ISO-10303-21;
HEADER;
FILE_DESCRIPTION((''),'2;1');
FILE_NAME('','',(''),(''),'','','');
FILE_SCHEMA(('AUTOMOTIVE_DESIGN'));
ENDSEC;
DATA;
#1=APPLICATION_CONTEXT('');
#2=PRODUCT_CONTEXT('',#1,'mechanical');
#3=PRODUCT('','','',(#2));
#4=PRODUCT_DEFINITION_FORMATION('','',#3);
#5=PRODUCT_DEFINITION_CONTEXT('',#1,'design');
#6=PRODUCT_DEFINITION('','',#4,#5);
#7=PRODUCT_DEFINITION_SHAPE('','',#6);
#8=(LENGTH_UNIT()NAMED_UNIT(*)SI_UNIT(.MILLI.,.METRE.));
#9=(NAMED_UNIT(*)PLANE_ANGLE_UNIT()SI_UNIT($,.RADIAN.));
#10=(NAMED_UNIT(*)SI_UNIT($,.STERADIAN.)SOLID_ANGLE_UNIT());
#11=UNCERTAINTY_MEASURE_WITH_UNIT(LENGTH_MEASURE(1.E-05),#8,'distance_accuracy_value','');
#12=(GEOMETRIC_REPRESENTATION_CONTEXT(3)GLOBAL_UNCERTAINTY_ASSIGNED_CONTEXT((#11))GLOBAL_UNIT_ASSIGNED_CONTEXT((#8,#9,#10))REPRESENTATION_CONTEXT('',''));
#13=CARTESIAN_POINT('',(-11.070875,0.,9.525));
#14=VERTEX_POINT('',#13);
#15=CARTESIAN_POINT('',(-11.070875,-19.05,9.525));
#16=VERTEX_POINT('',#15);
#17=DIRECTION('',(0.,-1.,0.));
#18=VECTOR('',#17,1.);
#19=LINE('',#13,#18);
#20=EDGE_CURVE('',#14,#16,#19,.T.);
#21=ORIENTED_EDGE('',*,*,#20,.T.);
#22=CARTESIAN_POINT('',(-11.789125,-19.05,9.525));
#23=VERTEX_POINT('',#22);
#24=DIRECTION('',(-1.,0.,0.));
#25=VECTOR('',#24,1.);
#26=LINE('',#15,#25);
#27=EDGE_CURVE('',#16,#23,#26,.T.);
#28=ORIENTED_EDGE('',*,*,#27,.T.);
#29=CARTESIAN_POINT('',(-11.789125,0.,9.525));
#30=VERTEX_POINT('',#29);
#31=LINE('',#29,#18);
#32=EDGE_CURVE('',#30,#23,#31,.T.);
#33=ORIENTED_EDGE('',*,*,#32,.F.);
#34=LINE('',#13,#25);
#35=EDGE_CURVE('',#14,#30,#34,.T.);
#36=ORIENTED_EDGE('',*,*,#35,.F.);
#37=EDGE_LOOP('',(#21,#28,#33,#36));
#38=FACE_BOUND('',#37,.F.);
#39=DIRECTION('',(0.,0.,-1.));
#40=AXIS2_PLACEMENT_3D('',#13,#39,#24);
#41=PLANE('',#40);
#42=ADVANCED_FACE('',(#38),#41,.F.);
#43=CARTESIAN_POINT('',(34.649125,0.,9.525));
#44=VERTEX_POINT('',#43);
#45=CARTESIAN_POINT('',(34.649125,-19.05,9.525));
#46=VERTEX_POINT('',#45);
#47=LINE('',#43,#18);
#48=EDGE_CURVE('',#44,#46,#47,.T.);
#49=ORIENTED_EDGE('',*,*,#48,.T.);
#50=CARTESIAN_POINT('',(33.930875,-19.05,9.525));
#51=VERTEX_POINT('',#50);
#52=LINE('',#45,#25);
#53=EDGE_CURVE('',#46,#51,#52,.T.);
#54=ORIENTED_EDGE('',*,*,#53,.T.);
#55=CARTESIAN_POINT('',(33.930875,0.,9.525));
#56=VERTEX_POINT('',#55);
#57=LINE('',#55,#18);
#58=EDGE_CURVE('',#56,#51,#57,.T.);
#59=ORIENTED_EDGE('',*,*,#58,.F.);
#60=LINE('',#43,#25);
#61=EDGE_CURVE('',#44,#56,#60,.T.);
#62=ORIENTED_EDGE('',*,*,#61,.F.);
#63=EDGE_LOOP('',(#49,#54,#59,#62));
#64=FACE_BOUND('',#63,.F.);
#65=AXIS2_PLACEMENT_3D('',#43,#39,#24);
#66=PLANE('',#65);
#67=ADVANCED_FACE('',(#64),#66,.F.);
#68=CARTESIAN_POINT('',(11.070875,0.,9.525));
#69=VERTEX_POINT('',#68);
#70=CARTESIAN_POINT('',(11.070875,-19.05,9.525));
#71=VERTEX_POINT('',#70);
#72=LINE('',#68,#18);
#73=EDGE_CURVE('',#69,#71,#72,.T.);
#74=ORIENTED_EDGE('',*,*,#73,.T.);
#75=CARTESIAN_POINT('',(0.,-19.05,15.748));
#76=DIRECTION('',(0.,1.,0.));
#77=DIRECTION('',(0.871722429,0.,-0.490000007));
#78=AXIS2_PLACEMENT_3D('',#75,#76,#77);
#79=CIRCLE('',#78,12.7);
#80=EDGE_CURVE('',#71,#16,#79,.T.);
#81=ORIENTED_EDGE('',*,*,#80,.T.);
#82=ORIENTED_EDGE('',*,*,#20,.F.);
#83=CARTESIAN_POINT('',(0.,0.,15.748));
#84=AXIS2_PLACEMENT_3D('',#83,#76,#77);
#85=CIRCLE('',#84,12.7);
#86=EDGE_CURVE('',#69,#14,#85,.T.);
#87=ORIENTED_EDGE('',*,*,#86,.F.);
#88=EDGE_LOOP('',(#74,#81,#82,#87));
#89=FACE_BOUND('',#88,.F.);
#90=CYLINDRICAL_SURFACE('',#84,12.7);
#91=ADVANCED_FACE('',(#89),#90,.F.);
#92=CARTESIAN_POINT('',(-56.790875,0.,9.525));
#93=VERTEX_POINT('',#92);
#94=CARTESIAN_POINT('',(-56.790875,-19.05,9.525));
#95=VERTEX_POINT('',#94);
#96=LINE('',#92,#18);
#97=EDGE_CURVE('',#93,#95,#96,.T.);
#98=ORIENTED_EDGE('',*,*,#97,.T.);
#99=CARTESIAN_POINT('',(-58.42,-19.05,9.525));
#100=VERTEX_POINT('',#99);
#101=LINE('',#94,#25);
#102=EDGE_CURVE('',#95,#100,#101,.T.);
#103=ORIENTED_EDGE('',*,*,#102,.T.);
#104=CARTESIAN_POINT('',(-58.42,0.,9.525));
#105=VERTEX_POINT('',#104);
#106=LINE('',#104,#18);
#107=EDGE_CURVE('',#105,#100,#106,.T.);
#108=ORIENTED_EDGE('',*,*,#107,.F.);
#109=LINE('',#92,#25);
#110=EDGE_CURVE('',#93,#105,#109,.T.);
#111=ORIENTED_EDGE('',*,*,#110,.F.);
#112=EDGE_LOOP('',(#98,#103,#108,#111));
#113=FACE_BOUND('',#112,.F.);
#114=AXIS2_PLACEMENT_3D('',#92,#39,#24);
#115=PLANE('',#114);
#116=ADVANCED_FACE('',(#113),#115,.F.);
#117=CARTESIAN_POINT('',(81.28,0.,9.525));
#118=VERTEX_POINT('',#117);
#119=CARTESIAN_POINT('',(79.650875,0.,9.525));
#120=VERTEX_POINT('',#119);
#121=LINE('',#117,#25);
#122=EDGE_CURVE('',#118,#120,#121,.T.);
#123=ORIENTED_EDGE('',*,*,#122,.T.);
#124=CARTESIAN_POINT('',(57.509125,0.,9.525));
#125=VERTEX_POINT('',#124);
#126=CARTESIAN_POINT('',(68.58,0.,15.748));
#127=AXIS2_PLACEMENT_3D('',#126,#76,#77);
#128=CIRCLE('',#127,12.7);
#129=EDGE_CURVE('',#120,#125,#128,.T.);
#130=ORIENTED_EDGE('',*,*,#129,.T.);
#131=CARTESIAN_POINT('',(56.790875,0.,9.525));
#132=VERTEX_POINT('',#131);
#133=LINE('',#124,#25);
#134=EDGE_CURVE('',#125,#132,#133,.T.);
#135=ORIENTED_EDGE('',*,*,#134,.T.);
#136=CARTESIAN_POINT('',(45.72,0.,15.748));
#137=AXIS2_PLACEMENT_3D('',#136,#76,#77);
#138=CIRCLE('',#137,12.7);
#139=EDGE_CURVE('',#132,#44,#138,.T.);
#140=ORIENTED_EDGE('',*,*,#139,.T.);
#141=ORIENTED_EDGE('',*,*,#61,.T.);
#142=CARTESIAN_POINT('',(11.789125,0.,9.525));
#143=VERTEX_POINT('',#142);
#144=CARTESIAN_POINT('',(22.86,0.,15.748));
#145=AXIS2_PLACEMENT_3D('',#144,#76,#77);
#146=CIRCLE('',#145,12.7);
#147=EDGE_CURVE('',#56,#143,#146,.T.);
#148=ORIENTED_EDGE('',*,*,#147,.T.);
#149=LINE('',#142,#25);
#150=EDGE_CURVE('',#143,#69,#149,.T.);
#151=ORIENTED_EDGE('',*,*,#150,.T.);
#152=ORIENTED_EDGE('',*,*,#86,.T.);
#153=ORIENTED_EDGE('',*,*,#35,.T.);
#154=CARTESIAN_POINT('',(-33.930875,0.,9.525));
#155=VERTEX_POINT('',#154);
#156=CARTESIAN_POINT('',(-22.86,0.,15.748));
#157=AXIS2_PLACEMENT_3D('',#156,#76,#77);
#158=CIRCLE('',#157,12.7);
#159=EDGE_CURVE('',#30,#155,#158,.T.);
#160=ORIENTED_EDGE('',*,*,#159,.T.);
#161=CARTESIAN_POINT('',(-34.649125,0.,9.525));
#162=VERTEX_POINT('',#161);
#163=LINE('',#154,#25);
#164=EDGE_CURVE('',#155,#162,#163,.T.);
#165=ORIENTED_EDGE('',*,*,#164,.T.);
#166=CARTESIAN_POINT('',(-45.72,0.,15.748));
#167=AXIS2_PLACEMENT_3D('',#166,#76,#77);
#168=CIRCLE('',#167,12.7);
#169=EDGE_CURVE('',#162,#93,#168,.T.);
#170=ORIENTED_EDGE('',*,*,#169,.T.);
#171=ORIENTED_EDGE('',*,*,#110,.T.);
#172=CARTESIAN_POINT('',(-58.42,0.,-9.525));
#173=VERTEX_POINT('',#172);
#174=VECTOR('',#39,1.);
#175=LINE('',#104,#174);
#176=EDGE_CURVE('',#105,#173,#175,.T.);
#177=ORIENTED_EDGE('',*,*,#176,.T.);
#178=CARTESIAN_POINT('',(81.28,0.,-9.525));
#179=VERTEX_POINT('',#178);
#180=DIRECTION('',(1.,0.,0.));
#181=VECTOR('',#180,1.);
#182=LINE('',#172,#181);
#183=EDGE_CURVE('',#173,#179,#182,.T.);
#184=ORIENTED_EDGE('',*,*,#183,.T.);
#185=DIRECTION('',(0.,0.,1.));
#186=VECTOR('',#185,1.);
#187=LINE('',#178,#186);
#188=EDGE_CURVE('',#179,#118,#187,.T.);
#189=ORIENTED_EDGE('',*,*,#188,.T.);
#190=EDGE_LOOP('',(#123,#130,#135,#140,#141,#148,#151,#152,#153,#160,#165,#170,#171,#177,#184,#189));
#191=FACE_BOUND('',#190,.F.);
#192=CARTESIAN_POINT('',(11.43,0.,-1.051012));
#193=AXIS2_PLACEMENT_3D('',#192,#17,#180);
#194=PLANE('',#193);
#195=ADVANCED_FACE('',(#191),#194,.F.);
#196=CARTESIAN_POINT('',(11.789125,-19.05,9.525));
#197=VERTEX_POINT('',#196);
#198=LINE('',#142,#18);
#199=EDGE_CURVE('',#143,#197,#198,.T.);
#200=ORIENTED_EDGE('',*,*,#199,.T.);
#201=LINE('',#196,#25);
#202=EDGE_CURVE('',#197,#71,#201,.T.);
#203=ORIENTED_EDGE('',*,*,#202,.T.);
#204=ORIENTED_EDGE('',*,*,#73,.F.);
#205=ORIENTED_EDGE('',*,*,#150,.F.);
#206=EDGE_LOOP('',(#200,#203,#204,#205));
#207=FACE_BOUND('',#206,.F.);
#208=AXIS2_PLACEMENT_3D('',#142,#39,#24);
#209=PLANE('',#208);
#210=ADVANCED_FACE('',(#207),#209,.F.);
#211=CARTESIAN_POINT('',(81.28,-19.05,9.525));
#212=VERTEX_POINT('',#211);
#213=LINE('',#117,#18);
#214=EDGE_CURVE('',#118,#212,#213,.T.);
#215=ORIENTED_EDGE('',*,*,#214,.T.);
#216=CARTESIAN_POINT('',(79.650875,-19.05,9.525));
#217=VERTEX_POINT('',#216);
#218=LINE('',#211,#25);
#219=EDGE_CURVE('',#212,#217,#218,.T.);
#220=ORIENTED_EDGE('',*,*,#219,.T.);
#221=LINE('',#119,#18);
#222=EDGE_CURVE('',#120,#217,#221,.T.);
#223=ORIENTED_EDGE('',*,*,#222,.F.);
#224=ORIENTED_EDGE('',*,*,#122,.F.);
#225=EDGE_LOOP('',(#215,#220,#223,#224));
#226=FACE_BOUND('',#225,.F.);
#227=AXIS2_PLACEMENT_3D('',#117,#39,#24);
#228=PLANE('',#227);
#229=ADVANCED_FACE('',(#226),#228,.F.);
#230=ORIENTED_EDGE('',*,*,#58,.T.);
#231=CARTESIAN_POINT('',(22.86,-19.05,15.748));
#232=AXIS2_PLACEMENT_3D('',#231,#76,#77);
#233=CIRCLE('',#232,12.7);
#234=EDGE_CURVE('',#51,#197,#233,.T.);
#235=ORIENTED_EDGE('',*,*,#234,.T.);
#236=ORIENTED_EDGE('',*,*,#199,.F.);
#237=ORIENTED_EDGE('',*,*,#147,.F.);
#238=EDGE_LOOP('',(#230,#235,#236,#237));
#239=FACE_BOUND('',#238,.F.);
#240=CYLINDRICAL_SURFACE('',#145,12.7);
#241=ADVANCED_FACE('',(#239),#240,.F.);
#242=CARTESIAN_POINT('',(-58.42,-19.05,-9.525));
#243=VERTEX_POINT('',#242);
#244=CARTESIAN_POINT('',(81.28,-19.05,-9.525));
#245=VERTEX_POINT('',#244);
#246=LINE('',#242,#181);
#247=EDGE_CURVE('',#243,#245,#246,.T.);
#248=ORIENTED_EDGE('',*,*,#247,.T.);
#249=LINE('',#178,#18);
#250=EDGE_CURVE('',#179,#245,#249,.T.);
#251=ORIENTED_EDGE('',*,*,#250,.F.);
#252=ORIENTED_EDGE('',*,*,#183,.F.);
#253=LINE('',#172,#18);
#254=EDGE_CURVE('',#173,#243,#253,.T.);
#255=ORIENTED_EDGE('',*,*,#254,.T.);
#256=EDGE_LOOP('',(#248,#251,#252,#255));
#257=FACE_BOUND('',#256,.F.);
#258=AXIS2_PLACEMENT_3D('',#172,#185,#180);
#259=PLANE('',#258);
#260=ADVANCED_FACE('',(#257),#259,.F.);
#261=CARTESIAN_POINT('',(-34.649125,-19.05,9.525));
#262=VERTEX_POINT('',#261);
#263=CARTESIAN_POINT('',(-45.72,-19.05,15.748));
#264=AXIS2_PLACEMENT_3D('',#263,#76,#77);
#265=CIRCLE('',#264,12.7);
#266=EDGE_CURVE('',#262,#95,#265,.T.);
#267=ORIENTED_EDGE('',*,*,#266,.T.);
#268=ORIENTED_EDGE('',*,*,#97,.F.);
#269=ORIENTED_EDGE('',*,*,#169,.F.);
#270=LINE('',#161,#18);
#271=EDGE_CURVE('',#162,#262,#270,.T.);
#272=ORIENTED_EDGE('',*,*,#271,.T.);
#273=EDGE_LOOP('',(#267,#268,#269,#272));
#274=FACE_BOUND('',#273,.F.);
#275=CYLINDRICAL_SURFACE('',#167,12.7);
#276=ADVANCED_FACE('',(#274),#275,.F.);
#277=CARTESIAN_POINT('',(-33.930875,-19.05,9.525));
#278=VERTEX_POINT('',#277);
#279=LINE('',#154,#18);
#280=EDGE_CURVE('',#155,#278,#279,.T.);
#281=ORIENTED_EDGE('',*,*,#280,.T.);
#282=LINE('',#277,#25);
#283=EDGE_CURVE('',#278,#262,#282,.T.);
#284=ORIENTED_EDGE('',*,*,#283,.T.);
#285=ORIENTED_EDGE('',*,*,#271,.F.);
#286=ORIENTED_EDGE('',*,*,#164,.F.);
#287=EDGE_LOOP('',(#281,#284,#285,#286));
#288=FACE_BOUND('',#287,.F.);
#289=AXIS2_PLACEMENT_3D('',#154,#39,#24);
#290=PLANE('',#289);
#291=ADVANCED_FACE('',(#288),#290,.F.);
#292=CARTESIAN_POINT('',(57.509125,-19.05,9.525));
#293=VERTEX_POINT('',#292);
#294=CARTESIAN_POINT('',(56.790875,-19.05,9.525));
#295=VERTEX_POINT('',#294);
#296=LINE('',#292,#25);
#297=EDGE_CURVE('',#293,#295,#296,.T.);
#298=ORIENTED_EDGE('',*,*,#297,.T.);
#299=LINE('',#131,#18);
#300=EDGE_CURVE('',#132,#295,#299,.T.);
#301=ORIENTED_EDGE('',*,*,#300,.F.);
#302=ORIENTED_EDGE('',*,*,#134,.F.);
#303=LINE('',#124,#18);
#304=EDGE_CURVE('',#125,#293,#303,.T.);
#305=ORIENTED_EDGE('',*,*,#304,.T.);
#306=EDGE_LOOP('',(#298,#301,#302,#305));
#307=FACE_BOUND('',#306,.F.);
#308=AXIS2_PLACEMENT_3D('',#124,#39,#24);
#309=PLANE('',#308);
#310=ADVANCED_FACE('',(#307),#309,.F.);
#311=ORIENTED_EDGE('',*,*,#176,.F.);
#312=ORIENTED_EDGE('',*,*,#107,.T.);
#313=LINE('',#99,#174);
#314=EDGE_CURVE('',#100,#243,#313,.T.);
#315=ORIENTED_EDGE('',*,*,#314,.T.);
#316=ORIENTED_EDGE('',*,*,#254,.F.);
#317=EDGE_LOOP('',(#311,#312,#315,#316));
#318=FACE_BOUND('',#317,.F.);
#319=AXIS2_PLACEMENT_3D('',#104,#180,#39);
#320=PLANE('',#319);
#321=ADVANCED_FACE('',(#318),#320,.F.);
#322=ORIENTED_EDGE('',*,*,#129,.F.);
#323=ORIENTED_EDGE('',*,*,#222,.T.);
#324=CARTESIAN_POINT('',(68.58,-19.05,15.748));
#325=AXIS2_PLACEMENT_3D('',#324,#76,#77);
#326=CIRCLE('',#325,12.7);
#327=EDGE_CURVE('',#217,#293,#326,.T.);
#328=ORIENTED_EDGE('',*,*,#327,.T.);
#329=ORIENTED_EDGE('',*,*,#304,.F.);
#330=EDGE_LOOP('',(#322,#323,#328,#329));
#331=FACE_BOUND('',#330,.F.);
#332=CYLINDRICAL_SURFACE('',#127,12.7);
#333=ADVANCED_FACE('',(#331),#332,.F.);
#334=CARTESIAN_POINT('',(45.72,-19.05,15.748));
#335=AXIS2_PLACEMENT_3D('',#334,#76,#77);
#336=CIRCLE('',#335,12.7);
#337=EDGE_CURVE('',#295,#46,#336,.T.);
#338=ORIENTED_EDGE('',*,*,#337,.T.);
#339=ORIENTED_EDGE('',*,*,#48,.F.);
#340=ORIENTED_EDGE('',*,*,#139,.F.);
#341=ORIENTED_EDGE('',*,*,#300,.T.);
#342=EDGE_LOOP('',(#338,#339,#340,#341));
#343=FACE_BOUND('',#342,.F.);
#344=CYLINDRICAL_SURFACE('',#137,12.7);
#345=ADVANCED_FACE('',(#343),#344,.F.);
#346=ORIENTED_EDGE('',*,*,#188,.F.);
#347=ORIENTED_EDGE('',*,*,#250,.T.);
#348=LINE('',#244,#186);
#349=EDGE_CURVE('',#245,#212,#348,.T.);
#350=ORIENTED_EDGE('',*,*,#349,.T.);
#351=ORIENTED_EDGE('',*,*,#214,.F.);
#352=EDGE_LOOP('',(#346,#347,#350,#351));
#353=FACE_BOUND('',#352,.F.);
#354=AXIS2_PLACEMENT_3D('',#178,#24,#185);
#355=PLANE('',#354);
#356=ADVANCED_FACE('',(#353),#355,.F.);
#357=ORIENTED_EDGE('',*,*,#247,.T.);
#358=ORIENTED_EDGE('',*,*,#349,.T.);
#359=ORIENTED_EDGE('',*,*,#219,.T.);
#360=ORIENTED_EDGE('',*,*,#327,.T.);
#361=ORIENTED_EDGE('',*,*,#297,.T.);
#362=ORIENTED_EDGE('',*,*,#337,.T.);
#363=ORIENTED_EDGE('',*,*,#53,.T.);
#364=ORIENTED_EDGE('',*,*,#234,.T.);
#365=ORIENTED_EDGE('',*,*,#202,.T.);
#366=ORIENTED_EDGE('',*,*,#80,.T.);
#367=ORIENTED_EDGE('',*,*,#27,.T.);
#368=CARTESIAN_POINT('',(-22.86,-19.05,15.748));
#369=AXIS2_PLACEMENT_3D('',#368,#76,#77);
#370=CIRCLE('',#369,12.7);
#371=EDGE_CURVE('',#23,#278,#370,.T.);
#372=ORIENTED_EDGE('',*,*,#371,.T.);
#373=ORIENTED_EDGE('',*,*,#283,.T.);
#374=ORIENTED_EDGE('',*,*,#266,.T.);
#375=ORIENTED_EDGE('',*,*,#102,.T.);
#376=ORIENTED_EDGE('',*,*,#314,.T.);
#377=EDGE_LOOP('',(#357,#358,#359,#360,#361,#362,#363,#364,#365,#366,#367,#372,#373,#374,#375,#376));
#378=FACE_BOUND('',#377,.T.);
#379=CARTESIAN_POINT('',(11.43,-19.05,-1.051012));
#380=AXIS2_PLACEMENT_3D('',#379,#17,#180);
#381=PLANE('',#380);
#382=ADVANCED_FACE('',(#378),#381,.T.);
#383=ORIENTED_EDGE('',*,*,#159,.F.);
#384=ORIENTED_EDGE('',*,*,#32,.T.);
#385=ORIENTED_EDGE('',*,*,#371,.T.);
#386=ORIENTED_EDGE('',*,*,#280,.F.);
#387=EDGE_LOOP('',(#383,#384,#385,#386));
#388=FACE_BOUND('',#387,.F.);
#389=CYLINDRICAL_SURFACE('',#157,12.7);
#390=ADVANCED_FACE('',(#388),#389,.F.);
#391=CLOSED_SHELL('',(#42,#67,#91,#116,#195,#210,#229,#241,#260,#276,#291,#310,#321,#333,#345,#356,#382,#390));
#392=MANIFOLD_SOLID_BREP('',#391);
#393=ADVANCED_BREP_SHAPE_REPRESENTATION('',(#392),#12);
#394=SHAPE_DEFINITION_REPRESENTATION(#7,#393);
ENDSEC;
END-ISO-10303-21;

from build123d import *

# Parameters (mm, degrees)
F1_DEPTH = 19.05


with BuildPart() as f1:
    # F0 (on Front) → F1 (new body)
    with BuildSketch(Plane.XZ):
        with BuildLine():
            Line((-56.790875, 9.525), (-58.42, 9.525))
            Line((-58.42, 9.525), (-58.42, -9.525))
            Line((-58.42, -9.525), (81.28, -9.525))
            Line((81.28, -9.525), (81.28, 9.525))
            Line((81.28, 9.525), (79.650875, 9.525))
            ThreePointArc((79.650875, 9.525), (68.58, 3.048), (57.509125, 9.525))
            Line((57.509125, 9.525), (56.790875, 9.525))
            ThreePointArc((56.790875, 9.525), (45.72, 3.048), (34.649125, 9.525))
            Line((34.649125, 9.525), (33.930875, 9.525))
            ThreePointArc((33.930875, 9.525), (22.86, 3.048), (11.789125, 9.525))
            Line((11.789125, 9.525), (11.070875, 9.525))
            ThreePointArc((11.070875, 9.525), (0, 3.048), (-11.070875, 9.525))
            Line((-11.070875, 9.525), (-11.789125, 9.525))
            ThreePointArc((-11.789125, 9.525), (-22.86, 3.048), (-33.930875, 9.525))
            Line((-33.930875, 9.525), (-34.649125, 9.525))
            ThreePointArc((-34.649125, 9.525), (-45.72, 3.048), (-56.790875, 9.525))
        make_face()
    extrude(amount=F1_DEPTH)


solid = f1.part
